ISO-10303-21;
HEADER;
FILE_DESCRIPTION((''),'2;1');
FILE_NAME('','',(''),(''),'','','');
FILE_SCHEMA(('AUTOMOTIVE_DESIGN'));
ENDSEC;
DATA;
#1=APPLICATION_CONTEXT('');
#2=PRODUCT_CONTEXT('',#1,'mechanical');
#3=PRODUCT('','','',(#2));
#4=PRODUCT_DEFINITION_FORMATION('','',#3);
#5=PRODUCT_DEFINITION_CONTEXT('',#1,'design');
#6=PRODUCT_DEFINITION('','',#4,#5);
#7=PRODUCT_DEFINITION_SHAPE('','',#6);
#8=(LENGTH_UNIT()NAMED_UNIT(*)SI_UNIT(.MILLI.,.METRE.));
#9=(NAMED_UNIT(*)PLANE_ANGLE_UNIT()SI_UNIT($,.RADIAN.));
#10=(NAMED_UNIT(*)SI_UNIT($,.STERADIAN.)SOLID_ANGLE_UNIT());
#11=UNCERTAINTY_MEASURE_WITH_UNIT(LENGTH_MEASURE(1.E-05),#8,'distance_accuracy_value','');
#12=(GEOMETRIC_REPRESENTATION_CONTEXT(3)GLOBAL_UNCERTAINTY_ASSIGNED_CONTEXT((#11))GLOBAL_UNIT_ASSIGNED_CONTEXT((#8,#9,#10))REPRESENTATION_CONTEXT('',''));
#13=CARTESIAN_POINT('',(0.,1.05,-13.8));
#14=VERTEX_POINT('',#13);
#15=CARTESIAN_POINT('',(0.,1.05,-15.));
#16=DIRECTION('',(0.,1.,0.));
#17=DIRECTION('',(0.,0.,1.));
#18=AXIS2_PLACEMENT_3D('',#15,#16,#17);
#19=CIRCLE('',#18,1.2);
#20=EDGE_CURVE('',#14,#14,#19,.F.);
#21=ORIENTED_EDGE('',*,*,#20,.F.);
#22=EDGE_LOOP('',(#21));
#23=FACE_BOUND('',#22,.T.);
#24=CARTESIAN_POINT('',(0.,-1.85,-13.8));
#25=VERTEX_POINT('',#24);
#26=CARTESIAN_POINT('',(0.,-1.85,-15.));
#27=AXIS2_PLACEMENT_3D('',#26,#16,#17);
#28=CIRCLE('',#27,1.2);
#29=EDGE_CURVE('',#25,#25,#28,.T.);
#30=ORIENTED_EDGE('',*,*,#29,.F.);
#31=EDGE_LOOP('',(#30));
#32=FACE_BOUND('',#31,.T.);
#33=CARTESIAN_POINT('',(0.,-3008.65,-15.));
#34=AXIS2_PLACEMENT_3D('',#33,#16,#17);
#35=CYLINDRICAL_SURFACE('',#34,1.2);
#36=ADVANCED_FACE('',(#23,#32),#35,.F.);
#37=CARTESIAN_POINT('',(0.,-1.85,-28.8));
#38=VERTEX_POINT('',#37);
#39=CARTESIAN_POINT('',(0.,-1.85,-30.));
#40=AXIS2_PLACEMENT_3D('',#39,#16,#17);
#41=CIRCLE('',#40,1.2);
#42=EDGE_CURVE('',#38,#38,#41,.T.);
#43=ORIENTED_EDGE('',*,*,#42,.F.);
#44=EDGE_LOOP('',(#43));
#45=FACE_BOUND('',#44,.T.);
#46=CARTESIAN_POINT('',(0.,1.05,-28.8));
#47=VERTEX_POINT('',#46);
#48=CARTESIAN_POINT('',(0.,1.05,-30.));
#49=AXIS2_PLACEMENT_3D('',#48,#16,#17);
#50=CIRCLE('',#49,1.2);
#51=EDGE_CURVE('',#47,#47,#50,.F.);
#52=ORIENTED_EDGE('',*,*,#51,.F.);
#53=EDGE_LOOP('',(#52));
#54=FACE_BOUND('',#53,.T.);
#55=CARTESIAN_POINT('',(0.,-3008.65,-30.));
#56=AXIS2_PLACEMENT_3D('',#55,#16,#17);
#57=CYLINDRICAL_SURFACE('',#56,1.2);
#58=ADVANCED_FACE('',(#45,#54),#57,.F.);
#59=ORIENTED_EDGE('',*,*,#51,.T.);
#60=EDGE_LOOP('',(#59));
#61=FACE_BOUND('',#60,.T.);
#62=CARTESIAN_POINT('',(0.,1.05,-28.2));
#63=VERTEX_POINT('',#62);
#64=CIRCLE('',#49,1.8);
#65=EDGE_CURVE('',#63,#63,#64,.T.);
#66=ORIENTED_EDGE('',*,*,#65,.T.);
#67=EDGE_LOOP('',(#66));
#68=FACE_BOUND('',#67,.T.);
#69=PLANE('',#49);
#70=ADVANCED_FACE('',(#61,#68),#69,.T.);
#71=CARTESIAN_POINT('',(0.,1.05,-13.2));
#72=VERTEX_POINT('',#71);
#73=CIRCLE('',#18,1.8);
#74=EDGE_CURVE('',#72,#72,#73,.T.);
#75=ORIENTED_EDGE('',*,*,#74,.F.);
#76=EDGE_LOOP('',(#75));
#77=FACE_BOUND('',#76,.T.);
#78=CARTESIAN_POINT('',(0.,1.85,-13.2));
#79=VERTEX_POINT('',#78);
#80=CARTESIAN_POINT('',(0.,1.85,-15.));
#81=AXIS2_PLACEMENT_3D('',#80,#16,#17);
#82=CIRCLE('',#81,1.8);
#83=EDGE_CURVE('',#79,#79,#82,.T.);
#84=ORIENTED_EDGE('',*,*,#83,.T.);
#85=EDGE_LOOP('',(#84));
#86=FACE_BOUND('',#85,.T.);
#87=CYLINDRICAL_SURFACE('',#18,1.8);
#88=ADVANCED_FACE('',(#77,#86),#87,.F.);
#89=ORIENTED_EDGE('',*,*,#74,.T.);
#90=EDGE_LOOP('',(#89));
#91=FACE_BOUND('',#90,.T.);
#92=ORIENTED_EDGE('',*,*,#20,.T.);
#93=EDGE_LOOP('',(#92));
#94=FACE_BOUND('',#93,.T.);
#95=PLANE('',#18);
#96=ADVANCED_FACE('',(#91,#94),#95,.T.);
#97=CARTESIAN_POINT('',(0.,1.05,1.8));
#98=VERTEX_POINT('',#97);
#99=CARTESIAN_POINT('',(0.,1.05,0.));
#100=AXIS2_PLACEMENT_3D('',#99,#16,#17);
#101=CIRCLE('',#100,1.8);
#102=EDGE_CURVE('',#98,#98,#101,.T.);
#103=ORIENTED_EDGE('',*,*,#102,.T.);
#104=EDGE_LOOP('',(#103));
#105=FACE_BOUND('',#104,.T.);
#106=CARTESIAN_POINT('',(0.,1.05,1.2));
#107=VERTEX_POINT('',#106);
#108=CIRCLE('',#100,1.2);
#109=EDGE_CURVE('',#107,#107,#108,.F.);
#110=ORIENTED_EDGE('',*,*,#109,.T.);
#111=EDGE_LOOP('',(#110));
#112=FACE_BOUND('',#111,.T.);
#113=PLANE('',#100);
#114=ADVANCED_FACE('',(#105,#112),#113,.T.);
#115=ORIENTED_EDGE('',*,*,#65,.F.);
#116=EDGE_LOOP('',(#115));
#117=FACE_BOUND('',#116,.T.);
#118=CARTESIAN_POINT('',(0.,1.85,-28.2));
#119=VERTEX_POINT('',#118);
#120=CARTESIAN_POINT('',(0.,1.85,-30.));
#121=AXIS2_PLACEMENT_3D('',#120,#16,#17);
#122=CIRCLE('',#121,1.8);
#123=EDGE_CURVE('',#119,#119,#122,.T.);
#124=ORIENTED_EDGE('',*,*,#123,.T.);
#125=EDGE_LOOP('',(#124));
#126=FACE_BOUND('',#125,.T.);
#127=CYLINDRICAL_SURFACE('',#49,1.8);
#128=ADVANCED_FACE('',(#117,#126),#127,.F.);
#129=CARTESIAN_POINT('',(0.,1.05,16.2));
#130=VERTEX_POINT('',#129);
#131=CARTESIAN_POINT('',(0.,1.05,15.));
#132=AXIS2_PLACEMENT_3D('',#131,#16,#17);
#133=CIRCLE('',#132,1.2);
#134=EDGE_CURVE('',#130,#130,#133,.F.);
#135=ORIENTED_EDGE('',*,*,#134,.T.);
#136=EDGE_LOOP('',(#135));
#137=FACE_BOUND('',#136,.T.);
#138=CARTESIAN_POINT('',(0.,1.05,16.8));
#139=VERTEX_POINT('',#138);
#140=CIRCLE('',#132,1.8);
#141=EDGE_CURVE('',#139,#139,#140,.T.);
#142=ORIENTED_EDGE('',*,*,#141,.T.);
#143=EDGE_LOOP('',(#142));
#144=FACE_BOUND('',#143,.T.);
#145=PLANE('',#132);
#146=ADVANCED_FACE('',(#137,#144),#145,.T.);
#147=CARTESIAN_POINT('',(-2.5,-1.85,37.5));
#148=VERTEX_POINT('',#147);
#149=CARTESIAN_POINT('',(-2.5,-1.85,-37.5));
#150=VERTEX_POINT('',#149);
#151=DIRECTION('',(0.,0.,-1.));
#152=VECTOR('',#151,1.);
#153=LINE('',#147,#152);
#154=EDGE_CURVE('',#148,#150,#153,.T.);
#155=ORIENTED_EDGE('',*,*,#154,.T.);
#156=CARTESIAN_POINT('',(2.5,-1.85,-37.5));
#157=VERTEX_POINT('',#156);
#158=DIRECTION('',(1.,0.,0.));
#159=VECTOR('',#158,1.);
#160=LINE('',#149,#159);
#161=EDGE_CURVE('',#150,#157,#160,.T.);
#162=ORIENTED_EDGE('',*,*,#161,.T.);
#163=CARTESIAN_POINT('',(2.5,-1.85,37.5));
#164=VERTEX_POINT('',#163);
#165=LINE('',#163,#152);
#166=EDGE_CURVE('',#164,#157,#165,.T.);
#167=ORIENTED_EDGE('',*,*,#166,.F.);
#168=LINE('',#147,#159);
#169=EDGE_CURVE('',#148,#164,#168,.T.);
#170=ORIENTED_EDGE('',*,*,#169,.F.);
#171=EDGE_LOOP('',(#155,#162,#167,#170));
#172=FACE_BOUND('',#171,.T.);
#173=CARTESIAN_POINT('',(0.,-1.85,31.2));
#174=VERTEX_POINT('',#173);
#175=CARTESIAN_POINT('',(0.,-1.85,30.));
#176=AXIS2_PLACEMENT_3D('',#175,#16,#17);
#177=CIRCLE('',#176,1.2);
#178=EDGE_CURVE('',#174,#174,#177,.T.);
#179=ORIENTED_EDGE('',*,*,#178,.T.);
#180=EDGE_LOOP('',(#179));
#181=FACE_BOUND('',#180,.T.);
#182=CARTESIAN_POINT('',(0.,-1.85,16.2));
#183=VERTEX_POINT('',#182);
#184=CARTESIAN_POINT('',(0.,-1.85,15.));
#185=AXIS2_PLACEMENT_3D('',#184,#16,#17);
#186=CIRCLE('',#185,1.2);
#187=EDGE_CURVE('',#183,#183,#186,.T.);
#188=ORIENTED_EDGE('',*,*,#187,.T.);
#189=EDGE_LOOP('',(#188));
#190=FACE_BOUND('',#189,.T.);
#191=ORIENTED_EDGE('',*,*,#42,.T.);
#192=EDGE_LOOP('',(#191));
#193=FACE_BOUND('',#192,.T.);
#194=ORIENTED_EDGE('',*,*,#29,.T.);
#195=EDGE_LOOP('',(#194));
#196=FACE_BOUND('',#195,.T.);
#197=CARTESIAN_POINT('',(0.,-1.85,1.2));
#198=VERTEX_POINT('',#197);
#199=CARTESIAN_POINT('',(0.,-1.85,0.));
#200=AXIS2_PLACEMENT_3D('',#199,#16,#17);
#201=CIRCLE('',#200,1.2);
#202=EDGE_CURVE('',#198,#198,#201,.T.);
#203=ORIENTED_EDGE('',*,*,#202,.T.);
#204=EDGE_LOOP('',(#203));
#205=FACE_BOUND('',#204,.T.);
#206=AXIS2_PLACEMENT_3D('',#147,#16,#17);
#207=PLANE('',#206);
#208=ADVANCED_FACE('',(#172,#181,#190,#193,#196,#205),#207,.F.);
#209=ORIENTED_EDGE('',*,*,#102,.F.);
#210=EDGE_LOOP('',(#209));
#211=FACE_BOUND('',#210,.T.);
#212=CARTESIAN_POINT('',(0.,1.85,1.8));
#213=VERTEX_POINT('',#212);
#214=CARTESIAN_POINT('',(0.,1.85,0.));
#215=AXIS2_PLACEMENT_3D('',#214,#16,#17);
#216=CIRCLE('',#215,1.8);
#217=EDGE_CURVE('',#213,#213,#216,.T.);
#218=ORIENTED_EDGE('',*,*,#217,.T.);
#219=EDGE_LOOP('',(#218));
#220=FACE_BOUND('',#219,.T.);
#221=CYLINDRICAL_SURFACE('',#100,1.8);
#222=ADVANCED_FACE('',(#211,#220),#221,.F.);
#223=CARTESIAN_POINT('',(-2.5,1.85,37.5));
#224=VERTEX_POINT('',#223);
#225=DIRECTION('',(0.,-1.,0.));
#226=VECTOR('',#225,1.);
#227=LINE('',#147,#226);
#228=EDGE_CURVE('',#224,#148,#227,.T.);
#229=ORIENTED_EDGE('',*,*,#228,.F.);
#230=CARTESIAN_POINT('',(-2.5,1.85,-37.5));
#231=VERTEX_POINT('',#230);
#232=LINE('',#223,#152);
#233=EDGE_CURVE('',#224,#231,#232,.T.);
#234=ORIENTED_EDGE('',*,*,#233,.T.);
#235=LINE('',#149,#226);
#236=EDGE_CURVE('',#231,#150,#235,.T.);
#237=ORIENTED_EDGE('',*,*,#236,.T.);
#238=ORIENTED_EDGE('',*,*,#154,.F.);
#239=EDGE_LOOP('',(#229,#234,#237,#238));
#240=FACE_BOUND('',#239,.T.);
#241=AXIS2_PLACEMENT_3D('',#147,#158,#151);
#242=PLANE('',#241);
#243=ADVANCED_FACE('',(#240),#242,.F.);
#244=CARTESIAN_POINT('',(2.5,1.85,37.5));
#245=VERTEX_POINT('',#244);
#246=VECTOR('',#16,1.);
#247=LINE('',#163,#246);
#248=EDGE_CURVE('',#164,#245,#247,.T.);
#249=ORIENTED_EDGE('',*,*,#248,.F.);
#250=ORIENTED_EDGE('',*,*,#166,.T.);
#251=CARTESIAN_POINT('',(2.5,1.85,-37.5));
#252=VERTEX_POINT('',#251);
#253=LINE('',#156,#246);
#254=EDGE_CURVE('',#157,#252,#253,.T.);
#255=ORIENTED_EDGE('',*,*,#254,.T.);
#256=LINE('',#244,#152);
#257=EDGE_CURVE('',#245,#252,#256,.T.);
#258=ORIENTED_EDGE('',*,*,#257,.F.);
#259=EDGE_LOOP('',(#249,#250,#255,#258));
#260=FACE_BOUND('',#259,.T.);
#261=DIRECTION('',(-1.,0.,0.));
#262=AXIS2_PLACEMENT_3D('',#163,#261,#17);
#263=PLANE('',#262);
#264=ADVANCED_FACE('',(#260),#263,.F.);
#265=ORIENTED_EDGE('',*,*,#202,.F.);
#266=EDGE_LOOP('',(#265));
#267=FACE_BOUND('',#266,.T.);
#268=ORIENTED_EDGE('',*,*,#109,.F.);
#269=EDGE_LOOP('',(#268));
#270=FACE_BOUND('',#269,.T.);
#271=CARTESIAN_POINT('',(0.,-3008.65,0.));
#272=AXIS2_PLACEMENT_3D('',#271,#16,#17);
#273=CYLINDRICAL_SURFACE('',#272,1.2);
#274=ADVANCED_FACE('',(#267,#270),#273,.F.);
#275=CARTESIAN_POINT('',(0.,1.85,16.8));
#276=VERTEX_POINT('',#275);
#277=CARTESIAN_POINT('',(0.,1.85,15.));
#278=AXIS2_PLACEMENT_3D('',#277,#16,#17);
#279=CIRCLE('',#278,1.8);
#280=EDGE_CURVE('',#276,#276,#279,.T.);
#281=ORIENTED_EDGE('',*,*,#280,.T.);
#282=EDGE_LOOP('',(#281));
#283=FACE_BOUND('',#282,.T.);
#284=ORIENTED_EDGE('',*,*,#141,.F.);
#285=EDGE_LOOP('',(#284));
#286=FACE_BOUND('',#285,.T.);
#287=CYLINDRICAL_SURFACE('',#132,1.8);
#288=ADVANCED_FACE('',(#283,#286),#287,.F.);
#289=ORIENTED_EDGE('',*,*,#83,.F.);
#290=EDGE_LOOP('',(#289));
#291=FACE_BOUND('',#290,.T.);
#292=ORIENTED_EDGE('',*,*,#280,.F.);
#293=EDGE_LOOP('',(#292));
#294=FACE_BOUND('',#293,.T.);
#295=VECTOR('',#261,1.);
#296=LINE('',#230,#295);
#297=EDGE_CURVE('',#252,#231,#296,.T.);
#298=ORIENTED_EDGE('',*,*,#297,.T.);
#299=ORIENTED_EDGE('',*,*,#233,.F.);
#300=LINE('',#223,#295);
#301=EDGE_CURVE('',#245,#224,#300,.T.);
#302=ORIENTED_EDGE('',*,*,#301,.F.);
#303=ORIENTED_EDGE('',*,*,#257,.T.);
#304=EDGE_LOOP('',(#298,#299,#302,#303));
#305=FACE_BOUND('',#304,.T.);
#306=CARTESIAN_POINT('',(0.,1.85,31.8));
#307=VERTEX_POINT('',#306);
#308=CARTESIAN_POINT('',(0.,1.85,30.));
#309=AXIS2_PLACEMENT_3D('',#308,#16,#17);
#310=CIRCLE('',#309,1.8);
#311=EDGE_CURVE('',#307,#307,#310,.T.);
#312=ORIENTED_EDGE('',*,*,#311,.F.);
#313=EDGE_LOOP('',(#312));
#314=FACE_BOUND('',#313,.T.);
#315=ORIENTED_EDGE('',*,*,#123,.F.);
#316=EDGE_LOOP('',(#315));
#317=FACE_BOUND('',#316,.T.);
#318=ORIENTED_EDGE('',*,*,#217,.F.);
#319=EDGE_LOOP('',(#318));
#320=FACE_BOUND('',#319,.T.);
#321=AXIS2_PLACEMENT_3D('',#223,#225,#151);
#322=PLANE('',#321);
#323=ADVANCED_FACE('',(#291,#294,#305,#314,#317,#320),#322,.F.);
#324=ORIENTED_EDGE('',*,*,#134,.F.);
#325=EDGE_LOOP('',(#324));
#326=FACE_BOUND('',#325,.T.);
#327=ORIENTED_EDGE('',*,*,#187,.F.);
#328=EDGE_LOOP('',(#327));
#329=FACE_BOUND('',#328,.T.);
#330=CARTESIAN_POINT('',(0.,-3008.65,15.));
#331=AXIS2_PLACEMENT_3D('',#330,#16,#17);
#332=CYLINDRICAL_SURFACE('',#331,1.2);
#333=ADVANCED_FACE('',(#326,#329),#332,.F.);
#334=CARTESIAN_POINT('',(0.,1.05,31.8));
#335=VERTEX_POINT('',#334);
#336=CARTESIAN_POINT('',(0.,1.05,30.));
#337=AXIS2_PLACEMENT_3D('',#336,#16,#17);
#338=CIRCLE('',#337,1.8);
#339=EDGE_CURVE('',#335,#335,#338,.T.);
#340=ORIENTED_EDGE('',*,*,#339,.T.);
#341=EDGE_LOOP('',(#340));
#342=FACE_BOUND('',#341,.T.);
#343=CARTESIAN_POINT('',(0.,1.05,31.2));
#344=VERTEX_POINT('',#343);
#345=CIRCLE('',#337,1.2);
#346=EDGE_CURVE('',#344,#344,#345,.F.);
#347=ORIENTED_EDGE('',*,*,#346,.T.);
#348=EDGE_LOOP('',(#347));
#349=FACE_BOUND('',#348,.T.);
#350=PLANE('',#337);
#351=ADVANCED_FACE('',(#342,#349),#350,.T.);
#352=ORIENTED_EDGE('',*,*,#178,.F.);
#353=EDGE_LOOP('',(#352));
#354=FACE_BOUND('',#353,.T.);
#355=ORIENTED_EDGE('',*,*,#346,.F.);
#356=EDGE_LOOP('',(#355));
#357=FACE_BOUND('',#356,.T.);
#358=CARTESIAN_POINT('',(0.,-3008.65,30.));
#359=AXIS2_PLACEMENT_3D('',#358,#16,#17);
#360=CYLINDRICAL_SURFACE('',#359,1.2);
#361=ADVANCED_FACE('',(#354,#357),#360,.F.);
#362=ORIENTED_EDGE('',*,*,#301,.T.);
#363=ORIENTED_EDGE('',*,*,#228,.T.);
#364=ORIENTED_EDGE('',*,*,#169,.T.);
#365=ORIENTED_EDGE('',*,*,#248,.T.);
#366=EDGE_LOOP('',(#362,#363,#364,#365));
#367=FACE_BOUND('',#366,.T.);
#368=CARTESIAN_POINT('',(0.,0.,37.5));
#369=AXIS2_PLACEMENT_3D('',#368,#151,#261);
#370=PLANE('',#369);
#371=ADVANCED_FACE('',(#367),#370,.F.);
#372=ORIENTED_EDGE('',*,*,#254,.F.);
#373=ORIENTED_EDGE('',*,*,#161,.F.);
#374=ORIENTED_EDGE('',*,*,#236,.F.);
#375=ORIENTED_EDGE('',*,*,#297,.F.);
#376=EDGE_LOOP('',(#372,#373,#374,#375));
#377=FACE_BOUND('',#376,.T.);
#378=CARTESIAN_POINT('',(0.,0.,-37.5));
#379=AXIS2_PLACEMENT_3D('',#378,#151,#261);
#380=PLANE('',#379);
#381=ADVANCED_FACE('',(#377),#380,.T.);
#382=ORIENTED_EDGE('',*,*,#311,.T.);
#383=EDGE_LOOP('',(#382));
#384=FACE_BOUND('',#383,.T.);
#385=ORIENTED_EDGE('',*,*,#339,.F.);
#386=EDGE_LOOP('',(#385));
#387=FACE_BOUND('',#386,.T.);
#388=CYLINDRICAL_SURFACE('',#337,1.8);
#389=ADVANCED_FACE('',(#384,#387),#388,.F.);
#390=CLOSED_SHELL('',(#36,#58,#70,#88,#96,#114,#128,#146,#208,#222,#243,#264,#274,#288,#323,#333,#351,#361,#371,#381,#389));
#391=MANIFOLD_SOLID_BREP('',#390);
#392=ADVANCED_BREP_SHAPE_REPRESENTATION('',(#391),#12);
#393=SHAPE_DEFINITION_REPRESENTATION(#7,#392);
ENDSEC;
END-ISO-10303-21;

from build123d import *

# Parameters (mm, degrees)
SKETCH_1_W             = 5
SKETCH_1_H             = 3.7
EXTRUDE_1_DEPTH        = 37.5
SKETCH_2_R             = 1.2
CUT_EXTRUDE_1_DEPTH    = 3010.5
SKETCH_3_R             = 1.8
CUT_EXTRUDE_2_DEPTH    = 0.8
PATTERN_LINEAR_1_COUNT = 5
PATTERN_LINEAR_1_PITCH = 15


with BuildPart() as part:
    # 草图1 → 凸台-拉伸1 (new, symmetric)
    with BuildSketch(Plane.XY):
        Rectangle(SKETCH_1_W, SKETCH_1_H)
    extrude(amount=EXTRUDE_1_DEPTH, both=True)

    # 草图2 → 切除-拉伸1 (cut, symmetric)
    with BuildSketch(Plane(origin=(0, 1.85, 0), x_dir=(1, 0, 0), z_dir=(0, 1, 0))):
        with Locations(Location((0, -30, 0), (0, 0, 270))):
            Circle(SKETCH_2_R)
    cut_extrude_1 = extrude(amount=CUT_EXTRUDE_1_DEPTH, both=True, mode=Mode.SUBTRACT)

    # 草图3 → 切除-拉伸2 (cut)
    with BuildSketch(Plane(origin=(0, 1.85, 0), x_dir=(1, 0, 0), z_dir=(0, 1, 0))):
        with Locations(Location((0, -30, 0), (0, 0, 270))):
            Circle(SKETCH_3_R)
    cut_extrude_2 = extrude(amount=-CUT_EXTRUDE_2_DEPTH, mode=Mode.SUBTRACT)

    # 阵列(线性)1: 切除-拉伸1, 切除-拉伸2 ×5
    with Locations(*[(0, 0, -i * PATTERN_LINEAR_1_PITCH) for i in range(1, PATTERN_LINEAR_1_COUNT)]):
        add(cut_extrude_1, mode=Mode.SUBTRACT)
        add(cut_extrude_2, mode=Mode.SUBTRACT)


solid = part.part
